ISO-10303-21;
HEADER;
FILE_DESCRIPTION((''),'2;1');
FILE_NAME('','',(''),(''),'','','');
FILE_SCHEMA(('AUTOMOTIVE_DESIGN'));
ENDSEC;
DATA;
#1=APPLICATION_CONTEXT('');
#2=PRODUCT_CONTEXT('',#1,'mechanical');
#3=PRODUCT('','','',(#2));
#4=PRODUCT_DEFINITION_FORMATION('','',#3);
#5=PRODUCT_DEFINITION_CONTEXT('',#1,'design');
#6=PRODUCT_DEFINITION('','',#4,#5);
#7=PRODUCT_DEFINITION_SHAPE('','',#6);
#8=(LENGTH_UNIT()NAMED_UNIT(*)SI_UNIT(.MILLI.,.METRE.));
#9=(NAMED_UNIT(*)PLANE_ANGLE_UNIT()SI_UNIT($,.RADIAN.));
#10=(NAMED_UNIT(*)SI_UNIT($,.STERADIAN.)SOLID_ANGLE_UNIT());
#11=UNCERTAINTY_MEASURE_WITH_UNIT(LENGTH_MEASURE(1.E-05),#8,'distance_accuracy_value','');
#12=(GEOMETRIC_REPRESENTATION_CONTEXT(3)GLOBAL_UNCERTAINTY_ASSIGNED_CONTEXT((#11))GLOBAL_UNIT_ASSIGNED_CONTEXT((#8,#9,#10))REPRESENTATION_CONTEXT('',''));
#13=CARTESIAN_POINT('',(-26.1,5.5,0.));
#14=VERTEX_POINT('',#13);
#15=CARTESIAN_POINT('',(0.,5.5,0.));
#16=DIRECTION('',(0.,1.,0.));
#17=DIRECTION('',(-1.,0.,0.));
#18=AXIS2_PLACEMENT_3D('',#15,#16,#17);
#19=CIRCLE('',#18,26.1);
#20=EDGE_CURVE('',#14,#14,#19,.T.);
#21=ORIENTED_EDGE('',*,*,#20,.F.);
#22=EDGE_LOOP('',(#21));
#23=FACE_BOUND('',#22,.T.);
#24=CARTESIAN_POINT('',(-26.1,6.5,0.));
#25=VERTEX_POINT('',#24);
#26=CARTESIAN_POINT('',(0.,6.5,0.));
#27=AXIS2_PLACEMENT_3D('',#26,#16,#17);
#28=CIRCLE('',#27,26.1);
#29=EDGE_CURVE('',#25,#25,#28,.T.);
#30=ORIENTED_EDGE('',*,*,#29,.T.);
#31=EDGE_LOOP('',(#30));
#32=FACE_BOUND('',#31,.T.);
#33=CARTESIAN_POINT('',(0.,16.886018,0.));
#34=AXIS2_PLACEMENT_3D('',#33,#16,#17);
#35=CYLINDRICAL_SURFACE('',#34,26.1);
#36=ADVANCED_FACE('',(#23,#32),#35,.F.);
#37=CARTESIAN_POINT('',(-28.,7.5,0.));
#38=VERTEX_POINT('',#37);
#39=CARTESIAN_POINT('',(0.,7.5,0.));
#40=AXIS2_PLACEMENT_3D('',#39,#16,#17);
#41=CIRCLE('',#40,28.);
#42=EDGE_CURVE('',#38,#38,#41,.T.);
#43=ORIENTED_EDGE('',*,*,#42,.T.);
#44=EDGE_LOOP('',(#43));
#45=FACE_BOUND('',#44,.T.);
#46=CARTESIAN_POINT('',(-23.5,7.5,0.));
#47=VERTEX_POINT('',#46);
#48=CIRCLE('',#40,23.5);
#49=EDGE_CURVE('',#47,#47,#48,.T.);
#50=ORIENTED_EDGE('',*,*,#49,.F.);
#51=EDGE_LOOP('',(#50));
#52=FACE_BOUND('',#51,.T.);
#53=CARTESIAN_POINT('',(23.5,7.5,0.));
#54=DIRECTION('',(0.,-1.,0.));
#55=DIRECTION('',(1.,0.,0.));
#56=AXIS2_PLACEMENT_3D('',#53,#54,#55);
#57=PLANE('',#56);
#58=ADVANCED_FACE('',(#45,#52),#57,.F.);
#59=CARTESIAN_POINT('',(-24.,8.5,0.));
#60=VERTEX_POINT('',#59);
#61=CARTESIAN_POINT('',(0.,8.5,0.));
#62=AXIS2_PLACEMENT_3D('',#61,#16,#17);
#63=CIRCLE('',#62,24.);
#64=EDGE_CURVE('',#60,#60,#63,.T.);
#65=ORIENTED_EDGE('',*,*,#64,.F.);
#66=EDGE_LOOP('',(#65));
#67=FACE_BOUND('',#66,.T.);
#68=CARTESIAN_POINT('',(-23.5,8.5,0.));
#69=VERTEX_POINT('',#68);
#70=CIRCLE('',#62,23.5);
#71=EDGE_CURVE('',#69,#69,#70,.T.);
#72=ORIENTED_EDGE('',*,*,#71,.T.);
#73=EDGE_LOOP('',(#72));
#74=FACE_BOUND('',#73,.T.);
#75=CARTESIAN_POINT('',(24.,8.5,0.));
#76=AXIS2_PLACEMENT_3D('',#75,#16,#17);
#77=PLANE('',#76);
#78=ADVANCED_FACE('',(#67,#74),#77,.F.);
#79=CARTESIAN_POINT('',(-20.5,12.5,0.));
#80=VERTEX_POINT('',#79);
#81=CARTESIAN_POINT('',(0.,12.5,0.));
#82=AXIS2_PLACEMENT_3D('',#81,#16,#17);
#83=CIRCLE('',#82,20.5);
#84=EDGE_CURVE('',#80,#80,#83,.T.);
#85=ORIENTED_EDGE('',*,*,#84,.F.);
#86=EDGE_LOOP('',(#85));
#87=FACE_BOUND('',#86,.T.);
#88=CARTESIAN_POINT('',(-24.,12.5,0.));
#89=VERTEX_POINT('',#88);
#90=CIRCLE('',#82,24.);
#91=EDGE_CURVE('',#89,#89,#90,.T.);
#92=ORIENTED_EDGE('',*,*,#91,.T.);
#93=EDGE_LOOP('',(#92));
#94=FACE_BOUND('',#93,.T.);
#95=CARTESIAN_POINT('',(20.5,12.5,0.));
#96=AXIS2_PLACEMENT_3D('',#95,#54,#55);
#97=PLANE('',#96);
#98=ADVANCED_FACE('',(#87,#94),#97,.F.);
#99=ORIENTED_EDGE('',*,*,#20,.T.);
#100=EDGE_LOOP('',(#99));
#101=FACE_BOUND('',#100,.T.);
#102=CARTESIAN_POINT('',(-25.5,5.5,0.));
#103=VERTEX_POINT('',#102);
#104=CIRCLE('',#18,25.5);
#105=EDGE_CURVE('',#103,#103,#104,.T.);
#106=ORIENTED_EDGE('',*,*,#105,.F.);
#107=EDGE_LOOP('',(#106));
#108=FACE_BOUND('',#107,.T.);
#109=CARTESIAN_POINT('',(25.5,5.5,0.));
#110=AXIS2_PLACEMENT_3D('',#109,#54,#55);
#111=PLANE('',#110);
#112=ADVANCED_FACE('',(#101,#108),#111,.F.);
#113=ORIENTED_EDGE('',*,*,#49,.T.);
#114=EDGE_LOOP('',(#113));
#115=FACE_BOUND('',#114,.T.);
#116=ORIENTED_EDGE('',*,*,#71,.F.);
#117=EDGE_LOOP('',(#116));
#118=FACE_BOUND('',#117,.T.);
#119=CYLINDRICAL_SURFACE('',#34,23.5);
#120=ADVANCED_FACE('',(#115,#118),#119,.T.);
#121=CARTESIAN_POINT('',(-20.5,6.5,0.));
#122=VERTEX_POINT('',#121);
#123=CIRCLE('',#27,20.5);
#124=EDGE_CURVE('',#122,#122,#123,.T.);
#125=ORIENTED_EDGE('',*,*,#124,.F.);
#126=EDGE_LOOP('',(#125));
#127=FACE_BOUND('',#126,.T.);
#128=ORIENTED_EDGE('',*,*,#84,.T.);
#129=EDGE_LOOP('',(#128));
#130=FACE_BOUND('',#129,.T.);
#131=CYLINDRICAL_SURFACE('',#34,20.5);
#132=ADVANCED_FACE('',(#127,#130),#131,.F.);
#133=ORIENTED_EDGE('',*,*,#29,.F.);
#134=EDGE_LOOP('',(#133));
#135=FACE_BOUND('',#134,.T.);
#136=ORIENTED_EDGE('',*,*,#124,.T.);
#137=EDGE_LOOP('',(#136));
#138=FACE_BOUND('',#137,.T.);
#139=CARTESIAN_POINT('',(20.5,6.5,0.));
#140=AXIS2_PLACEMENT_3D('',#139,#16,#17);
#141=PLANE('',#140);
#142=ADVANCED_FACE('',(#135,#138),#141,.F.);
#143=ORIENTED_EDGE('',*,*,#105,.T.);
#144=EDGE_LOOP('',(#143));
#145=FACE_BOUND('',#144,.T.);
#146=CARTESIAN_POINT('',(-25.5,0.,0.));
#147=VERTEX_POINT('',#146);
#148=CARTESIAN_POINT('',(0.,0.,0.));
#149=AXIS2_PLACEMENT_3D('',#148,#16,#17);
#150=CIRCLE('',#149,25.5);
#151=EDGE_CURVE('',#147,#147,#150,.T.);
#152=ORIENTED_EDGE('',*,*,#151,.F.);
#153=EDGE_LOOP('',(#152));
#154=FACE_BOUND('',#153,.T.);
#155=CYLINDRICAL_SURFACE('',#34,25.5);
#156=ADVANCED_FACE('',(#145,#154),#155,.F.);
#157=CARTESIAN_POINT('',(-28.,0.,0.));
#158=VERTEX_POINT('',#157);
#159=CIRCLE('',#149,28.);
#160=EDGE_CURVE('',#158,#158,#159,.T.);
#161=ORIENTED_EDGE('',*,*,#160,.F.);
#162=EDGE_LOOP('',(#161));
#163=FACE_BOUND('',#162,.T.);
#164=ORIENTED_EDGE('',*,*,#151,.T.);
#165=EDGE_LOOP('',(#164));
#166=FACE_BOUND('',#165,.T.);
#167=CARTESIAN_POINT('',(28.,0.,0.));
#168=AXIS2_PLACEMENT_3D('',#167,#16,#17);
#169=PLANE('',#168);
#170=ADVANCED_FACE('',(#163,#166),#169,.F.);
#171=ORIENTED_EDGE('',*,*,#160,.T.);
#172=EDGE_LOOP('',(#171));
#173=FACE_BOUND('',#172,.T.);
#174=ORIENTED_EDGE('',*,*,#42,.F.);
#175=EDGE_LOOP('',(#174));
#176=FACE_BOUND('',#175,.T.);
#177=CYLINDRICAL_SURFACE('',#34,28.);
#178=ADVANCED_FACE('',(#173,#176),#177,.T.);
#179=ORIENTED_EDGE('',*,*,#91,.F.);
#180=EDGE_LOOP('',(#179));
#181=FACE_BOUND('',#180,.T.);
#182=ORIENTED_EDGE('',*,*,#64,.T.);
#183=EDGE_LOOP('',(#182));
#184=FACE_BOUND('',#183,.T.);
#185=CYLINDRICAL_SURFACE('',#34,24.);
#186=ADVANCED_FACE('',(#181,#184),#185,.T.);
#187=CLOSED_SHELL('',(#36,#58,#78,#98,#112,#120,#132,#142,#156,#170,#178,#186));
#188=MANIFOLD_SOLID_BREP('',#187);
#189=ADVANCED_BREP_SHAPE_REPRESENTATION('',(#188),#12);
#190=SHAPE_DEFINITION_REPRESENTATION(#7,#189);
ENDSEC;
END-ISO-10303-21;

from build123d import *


with BuildPart() as part:
    # 草图1 → 旋转1 (revolve)
    with BuildSketch(Plane.XY, mode=Mode.PRIVATE) as revolve_1_sk:
        Polygon((25.5, 0), (25.5, 5.5), (26.1, 5.5), (26.1, 6.5), (20.5, 6.5), (20.5, 12.5), (24, 12.5), (24, 8.5), (23.5, 8.5), (23.5, 7.5), (28, 7.5), (28, 0), align=None)
    revolve(revolve_1_sk.sketch.rotate(Axis((0, 16.886018237, 0), (0, -1, 0)), 180), axis=Axis((0, 16.886018237, 0), (0, -1, 0)))  # turned: the seam where the file's is


solid = part.part
